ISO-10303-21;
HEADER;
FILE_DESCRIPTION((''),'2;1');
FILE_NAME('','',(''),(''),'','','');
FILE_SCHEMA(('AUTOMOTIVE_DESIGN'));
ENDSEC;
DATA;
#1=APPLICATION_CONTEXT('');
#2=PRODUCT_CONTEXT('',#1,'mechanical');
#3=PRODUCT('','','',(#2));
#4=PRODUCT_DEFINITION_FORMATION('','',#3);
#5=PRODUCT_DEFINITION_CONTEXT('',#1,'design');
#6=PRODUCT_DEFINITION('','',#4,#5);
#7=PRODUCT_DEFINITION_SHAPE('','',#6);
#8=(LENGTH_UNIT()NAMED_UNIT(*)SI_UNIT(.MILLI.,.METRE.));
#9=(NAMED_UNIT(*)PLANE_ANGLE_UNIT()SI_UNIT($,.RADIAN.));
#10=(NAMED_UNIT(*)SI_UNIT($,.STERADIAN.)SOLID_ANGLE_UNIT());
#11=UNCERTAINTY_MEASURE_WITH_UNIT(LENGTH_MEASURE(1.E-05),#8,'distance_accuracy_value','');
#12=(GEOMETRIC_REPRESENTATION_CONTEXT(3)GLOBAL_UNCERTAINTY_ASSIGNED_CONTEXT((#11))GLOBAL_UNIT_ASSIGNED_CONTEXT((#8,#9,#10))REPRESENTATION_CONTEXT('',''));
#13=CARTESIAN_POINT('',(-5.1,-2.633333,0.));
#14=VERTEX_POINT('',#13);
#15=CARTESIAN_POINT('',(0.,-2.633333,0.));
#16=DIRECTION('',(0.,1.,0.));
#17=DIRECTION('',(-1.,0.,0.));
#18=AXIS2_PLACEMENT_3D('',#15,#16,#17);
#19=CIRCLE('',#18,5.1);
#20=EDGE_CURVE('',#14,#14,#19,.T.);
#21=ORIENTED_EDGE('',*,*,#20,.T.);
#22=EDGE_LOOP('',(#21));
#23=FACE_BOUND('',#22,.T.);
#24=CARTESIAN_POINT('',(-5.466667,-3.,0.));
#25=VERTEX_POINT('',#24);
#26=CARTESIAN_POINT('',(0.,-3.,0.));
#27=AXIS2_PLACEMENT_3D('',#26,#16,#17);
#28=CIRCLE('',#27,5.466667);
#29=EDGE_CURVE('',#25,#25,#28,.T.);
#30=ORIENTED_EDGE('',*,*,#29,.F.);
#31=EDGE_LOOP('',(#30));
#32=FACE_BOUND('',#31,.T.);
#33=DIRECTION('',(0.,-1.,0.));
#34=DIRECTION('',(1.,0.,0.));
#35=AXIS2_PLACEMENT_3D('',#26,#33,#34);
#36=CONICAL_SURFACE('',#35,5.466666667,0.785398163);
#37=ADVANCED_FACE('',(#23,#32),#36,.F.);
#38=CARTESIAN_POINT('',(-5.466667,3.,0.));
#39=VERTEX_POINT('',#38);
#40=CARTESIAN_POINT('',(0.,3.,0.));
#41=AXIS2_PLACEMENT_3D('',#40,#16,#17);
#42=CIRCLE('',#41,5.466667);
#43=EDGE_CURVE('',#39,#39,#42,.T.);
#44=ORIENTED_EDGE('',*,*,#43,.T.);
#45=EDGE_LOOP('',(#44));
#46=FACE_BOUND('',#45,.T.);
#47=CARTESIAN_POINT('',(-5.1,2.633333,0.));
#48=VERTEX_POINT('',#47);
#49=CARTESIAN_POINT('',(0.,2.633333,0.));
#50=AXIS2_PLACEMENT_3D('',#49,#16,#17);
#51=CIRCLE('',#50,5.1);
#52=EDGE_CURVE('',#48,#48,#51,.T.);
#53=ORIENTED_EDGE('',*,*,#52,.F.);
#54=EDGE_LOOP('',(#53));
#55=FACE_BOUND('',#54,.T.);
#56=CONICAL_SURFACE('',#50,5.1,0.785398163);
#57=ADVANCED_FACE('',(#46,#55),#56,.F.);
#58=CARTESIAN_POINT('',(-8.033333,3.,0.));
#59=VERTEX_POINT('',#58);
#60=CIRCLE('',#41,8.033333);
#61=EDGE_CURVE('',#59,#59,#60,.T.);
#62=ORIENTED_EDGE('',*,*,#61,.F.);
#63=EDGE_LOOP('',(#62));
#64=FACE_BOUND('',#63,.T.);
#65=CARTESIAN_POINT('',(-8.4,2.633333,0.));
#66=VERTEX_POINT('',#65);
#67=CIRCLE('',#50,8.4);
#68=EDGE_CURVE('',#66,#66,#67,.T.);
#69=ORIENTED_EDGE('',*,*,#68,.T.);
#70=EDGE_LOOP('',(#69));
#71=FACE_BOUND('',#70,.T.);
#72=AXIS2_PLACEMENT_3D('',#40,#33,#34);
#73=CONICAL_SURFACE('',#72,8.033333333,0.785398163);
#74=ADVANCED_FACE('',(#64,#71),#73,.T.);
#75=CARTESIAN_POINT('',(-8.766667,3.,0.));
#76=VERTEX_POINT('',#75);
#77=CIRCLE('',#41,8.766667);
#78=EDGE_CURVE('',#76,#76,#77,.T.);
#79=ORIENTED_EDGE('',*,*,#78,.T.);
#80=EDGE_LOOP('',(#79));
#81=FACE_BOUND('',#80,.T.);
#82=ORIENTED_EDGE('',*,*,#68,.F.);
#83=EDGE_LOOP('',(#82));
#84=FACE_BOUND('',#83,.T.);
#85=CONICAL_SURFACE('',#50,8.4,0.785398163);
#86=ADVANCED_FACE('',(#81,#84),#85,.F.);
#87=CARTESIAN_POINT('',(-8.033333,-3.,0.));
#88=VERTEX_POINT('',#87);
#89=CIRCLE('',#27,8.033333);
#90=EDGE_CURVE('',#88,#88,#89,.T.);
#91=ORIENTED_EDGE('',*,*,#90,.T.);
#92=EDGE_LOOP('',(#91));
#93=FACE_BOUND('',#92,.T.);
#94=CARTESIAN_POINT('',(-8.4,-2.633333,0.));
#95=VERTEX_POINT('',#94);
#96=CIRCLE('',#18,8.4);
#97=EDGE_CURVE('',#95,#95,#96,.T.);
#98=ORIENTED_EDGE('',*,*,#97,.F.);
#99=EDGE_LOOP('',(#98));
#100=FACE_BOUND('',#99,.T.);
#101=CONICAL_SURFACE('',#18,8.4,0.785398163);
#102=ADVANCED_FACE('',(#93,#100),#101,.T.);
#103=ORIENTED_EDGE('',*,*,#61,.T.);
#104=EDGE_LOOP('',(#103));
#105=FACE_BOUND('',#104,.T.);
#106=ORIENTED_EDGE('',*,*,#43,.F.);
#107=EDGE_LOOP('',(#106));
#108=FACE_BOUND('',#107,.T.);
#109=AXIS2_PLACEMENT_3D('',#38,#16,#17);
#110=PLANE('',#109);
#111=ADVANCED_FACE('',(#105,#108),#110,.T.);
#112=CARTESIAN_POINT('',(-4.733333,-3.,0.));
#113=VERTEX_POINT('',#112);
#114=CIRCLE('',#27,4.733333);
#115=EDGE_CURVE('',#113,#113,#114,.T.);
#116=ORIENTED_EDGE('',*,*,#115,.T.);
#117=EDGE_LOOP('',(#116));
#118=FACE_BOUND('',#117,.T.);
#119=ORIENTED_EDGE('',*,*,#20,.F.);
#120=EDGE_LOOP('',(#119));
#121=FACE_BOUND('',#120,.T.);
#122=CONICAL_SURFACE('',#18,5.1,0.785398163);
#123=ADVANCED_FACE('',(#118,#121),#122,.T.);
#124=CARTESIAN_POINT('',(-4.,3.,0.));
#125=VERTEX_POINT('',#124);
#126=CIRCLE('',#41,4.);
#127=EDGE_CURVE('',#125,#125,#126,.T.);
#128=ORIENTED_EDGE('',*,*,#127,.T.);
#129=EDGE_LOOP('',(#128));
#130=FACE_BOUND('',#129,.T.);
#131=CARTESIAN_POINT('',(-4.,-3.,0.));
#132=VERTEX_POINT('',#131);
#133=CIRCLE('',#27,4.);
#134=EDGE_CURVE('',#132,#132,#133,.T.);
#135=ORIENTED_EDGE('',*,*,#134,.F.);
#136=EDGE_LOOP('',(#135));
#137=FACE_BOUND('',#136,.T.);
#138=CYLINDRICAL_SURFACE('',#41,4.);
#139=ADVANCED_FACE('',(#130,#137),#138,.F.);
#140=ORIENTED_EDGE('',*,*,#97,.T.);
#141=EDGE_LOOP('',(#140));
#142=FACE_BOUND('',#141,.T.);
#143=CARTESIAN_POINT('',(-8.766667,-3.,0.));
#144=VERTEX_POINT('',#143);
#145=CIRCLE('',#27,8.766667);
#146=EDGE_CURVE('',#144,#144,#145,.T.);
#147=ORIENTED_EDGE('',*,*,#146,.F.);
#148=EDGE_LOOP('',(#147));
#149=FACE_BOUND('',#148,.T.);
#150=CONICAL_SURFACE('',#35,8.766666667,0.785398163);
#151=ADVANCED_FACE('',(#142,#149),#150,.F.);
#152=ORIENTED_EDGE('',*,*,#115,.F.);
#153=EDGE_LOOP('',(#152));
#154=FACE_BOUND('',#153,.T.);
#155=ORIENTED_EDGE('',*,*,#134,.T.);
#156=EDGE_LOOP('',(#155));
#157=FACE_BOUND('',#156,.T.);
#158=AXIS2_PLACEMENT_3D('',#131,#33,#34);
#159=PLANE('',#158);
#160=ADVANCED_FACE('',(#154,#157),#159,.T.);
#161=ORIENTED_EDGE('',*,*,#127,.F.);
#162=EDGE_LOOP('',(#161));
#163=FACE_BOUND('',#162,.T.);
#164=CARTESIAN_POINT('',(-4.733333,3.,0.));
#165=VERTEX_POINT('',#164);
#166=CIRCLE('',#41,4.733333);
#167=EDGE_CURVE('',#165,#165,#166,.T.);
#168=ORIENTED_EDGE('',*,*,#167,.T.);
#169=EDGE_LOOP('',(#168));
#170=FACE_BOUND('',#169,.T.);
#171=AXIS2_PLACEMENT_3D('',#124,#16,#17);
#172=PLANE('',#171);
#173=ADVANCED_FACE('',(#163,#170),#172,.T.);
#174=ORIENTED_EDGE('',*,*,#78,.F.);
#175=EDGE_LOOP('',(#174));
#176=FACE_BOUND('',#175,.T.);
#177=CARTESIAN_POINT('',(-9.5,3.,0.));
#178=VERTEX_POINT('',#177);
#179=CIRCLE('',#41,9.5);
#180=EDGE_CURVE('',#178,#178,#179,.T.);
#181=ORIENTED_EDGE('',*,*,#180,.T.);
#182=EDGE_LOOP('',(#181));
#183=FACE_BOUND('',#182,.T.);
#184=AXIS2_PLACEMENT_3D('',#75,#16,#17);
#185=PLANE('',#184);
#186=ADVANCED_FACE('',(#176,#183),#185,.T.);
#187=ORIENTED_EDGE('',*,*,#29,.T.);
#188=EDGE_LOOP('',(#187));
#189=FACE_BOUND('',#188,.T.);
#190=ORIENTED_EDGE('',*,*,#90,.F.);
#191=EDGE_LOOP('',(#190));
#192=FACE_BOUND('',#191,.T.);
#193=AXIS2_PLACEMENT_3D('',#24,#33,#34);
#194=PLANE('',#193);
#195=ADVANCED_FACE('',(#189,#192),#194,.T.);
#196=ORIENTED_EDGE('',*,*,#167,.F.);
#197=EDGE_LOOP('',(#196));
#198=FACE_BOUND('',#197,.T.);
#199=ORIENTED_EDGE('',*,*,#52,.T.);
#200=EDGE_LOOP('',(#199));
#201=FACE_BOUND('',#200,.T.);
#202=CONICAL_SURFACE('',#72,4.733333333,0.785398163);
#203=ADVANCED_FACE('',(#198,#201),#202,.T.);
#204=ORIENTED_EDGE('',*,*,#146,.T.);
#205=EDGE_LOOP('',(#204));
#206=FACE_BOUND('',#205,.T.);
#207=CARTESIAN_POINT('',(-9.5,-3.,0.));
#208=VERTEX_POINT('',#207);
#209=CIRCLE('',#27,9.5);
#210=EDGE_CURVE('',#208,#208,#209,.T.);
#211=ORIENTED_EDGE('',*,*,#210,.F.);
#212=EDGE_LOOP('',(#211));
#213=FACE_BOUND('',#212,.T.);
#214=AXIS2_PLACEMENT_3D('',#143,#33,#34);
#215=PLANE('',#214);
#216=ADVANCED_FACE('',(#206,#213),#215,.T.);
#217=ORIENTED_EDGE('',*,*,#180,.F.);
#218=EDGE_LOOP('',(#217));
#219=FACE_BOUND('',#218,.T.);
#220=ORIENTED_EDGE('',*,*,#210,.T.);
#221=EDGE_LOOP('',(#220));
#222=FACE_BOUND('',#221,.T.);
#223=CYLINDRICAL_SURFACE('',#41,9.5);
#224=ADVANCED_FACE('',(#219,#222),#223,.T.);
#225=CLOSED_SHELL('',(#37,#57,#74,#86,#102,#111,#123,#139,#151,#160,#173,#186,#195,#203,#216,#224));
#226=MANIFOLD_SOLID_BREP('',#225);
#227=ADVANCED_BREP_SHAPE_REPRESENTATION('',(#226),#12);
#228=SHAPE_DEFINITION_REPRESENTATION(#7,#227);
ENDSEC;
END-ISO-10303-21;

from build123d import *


with BuildPart() as part:
    # Sketch1 → Revolve1 (revolve)
    with BuildSketch(Plane.XY):
        Polygon((-4, 3), (-4.733333333, 3), (-5.1, 2.633333333), (-5.466666667, 3), (-8.033333333, 3), (-8.4, 2.633333333), (-8.766666667, 3), (-9.5, 3), (-9.5, -3), (-8.766666667, -3), (-8.4, -2.633333333), (-8.033333333, -3), (-5.466666667, -3), (-5.1, -2.633333333), (-4.733333333, -3), (-4, -3), align=None)
    revolve(axis=Axis((0, 3, 0), (0, -1, 0)))


solid = part.part
